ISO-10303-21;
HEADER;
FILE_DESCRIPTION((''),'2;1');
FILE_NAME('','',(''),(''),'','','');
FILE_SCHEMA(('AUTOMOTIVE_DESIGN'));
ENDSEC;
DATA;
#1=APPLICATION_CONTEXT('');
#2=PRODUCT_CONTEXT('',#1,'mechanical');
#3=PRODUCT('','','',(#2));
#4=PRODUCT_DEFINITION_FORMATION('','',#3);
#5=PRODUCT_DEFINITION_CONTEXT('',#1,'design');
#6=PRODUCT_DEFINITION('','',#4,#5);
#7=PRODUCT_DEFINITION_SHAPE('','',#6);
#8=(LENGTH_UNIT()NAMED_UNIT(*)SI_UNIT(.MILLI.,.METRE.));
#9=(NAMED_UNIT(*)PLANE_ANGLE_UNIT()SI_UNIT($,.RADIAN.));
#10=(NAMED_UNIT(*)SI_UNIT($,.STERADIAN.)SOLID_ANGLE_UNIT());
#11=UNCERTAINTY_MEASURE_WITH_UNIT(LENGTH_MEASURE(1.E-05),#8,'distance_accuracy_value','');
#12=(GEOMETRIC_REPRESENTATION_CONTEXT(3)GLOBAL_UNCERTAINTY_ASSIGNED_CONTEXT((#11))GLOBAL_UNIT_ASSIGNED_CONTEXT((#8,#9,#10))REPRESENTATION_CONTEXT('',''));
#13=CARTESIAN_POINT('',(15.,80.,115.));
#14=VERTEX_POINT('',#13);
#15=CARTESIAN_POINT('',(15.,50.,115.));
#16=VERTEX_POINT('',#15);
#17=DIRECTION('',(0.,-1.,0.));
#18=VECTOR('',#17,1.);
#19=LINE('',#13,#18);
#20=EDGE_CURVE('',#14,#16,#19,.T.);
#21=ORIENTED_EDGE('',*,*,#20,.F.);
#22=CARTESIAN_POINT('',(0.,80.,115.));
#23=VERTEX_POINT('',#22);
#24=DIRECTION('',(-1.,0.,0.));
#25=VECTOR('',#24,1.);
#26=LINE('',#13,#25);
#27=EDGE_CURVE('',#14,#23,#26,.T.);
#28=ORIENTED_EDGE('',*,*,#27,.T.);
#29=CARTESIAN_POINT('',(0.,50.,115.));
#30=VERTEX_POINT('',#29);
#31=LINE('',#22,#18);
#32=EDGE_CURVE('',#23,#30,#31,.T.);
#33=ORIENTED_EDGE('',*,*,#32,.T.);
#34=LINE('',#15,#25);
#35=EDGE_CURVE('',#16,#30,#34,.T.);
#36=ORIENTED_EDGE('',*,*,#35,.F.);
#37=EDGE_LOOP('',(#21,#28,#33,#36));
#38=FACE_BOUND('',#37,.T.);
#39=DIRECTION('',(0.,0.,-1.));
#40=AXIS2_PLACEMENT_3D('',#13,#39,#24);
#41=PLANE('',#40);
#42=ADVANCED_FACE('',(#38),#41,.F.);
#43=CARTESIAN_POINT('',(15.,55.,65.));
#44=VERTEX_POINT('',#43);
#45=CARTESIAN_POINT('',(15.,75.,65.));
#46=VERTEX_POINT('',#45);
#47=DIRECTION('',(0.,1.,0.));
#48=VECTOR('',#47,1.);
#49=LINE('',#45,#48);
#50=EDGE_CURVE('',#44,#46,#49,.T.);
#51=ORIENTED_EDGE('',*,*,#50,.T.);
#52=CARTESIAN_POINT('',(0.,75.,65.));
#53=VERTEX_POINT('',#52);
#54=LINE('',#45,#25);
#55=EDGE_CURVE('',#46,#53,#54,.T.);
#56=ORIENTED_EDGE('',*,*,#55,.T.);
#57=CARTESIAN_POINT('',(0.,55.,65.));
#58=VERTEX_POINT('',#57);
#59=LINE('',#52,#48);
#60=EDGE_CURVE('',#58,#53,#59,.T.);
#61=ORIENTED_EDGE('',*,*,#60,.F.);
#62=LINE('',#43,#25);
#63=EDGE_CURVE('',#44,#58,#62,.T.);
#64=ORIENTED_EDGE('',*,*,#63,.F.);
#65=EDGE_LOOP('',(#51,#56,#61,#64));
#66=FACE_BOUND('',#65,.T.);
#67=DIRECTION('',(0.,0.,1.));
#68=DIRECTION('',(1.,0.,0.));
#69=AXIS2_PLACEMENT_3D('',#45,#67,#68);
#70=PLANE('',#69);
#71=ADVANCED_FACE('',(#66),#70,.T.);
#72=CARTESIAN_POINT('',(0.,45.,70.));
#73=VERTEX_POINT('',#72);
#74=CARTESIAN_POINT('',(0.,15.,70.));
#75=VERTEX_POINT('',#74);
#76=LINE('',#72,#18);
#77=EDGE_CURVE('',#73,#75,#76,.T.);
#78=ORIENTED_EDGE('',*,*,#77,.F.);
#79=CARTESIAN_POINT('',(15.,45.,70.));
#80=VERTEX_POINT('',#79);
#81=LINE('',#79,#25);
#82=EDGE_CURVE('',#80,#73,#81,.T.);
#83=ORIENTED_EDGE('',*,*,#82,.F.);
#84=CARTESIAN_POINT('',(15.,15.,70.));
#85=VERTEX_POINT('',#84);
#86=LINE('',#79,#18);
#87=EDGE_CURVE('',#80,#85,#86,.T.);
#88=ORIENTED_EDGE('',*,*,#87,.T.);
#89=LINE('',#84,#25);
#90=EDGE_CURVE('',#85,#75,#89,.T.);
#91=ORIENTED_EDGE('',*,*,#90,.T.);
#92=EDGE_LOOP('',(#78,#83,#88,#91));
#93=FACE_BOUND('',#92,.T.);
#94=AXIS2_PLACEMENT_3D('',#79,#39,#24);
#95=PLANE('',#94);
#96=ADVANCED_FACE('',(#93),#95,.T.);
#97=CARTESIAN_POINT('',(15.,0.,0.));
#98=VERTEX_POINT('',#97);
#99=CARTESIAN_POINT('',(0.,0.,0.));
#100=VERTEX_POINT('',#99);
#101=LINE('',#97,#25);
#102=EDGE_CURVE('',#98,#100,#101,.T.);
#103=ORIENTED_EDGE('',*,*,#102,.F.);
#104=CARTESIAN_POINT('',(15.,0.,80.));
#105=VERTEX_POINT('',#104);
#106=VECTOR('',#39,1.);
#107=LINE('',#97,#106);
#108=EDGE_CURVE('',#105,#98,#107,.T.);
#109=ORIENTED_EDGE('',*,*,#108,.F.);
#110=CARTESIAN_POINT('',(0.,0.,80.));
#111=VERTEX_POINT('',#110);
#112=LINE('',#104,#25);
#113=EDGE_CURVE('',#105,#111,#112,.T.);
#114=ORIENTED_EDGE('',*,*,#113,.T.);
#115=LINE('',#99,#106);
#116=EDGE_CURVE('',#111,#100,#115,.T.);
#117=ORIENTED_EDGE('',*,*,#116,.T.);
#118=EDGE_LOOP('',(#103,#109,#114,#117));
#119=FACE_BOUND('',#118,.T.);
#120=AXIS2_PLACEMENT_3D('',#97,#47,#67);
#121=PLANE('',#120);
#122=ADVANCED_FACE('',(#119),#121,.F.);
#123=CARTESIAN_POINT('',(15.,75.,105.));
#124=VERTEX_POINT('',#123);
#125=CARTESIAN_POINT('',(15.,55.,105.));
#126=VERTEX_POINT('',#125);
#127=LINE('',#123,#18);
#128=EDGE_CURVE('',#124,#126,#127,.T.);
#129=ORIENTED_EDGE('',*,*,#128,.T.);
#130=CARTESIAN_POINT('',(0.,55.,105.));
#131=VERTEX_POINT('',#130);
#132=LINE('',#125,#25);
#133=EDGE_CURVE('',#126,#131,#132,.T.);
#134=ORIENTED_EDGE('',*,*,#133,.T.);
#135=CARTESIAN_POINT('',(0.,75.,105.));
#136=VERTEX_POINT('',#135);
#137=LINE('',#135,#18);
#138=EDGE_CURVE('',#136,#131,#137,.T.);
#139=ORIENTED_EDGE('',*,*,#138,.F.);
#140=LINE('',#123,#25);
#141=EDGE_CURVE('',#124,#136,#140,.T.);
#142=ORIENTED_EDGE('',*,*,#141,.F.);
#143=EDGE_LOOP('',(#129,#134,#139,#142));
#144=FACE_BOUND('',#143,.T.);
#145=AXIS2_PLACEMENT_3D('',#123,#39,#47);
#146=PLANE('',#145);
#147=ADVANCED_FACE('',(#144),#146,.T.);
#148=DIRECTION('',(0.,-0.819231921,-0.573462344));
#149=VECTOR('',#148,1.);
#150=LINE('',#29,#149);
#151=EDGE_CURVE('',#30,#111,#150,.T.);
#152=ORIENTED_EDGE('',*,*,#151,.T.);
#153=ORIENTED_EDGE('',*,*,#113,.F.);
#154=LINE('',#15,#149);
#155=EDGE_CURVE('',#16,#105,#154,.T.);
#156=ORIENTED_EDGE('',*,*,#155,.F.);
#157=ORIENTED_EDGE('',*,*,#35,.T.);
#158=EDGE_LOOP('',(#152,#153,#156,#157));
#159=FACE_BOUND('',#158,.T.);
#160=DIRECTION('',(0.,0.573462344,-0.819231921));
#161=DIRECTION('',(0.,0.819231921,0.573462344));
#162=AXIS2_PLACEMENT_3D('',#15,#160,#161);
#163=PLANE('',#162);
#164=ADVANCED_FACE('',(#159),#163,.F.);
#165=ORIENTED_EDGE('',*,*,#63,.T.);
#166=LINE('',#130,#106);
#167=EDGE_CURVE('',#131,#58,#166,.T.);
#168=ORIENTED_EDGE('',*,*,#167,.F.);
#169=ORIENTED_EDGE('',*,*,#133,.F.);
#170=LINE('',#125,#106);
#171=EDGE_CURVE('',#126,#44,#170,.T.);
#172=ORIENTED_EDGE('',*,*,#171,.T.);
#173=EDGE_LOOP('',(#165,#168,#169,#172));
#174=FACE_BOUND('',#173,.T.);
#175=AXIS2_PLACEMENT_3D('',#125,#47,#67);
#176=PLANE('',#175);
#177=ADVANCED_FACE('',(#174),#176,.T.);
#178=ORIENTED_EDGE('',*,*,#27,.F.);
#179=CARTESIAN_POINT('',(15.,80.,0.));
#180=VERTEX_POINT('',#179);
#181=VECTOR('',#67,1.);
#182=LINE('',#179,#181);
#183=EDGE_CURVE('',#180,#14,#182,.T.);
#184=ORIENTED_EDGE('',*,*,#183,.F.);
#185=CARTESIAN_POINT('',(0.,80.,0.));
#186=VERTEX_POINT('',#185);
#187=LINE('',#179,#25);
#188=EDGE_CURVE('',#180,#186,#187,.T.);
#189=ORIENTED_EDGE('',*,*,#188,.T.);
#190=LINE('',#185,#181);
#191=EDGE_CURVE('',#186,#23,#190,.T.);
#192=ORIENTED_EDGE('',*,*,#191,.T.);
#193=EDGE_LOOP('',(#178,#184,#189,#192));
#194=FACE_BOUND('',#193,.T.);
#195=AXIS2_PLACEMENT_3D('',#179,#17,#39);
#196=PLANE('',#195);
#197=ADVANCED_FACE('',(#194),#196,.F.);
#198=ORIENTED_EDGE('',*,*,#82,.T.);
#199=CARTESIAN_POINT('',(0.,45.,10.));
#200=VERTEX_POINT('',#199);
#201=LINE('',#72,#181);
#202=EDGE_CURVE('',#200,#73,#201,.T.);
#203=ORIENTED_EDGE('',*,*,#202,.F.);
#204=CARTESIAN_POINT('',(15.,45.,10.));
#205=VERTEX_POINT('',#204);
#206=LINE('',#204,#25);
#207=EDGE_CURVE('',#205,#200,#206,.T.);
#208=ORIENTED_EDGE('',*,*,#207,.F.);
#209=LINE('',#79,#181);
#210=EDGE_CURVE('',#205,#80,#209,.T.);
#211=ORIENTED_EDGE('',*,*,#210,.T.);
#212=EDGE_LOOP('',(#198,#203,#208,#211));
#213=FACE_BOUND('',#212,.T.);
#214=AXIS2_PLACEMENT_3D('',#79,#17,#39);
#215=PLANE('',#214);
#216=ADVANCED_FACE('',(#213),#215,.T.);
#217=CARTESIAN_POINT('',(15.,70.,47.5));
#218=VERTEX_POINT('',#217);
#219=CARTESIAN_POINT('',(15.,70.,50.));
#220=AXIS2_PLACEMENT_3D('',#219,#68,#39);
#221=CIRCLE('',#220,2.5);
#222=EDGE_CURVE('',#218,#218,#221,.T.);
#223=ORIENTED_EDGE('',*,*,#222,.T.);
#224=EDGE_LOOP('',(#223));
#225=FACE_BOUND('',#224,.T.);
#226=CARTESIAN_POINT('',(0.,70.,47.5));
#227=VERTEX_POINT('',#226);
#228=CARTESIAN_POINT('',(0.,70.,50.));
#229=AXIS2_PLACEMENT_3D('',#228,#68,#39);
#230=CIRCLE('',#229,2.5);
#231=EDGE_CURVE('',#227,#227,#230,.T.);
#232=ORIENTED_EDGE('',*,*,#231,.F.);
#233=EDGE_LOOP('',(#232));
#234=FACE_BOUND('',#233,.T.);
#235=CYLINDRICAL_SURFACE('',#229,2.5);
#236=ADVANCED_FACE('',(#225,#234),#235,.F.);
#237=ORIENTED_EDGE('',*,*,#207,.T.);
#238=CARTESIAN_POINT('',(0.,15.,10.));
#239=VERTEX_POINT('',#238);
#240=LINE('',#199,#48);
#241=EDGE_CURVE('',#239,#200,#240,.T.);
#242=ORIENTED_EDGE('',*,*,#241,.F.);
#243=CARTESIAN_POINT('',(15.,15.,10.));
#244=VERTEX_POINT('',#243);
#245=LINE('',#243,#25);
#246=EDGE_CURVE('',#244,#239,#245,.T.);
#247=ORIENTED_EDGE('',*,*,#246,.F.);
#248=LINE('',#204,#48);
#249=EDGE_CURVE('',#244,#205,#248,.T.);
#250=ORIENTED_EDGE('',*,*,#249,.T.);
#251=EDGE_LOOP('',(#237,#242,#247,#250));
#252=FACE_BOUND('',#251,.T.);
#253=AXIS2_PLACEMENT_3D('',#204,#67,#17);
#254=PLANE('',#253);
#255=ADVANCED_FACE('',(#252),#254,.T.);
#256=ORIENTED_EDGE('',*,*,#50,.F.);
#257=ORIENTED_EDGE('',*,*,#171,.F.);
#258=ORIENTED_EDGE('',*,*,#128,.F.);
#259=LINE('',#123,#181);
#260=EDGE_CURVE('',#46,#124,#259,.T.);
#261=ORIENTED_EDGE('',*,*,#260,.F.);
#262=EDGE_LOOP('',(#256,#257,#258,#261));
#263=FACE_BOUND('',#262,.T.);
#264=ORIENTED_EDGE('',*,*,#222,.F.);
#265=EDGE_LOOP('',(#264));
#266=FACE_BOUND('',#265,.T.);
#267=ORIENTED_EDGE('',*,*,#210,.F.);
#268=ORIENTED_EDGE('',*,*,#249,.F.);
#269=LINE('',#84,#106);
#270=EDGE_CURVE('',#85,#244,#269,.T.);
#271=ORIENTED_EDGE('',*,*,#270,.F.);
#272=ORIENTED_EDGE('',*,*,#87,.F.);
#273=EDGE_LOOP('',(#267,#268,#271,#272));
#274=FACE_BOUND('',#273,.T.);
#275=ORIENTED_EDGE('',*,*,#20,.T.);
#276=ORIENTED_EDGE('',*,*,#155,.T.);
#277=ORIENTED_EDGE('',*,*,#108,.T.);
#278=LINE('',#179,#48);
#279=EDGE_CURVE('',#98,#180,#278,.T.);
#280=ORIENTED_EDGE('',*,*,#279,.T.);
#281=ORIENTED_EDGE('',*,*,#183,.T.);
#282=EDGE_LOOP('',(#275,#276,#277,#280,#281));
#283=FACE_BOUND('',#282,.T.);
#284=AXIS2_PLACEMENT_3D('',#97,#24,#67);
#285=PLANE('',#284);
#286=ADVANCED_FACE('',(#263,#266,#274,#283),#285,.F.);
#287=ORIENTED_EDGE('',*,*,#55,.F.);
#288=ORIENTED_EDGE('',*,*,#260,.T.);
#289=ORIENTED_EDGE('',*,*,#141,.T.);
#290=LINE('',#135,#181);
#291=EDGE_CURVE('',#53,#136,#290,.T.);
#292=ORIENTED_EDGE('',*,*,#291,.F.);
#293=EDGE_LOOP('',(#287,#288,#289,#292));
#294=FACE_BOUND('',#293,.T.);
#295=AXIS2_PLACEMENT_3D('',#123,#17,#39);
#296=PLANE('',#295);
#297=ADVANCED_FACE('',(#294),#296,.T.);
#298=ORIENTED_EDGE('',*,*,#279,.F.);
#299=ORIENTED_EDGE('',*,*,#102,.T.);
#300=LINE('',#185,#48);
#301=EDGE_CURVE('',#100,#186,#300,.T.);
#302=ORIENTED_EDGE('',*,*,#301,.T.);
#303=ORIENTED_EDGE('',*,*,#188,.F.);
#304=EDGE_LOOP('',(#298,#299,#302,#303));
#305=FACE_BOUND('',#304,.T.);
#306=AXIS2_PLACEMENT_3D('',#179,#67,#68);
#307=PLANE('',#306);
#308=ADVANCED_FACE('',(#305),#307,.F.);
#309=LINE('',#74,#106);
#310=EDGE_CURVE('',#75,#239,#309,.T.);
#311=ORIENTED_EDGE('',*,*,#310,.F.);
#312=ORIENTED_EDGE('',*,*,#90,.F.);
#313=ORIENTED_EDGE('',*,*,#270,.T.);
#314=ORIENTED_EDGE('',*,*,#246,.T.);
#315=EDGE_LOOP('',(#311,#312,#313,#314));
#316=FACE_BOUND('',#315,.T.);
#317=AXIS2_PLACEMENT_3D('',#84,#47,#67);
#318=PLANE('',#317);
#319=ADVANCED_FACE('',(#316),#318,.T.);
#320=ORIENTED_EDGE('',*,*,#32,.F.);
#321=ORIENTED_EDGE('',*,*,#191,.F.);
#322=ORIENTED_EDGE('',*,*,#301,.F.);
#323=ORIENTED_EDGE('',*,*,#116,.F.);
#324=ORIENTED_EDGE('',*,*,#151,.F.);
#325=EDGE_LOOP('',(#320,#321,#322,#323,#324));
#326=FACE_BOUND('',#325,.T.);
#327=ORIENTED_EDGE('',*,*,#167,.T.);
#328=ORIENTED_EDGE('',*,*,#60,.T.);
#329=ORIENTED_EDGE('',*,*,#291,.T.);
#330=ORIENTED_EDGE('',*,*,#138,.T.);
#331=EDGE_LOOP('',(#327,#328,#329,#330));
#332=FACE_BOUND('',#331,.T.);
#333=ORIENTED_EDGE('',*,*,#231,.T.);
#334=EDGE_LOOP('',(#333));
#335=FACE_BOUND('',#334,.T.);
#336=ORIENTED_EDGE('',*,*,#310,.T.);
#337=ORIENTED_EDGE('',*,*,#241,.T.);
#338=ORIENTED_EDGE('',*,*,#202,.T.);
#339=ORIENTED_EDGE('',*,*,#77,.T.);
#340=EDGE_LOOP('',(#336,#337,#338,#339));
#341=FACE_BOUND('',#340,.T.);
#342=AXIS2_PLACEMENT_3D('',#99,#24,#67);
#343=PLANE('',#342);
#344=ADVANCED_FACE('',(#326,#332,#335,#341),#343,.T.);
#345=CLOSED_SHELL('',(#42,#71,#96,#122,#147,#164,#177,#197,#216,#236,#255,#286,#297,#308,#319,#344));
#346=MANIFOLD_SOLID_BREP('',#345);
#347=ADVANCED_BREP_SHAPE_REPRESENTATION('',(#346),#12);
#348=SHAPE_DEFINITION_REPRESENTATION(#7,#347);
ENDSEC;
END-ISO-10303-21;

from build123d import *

# Parameters (mm, degrees)
SKETCH1_W           = 40
SKETCH1_H           = 20
SKETCH1_W_2         = 60
SKETCH1_H_2         = 30
BOSS_EXTRUDE1_DEPTH = 15
SKETCH2_R           = 2.5
CUT_EXTRUDE1_DEPTH  = 15


with BuildPart() as part:
    # Sketch1 → Boss-Extrude1 (new body)
    with BuildSketch(Plane(origin=(0, 0, 0), x_dir=(0, 0, -1), z_dir=(1, 0, 0))):
        Polygon((-115, 50), (-80, 0), (0, 0), (0, 80), (-115, 80), align=None)
        with Locations((-85, 65)):
            Rectangle(SKETCH1_W, SKETCH1_H, mode=Mode.SUBTRACT)
        with Locations((-40, 30)):
            Rectangle(SKETCH1_W_2, SKETCH1_H_2, mode=Mode.SUBTRACT)
    extrude(amount=BOSS_EXTRUDE1_DEPTH)

    # Sketch2 → Cut-Extrude1 (cut)
    with BuildSketch(Plane(origin=(15, 0, 0), x_dir=(0, 0, -1), z_dir=(1, 0, 0))):
        with Locations((-50, 70)):
            Circle(SKETCH2_R)
    extrude(amount=-CUT_EXTRUDE1_DEPTH, mode=Mode.SUBTRACT)


solid = part.part
